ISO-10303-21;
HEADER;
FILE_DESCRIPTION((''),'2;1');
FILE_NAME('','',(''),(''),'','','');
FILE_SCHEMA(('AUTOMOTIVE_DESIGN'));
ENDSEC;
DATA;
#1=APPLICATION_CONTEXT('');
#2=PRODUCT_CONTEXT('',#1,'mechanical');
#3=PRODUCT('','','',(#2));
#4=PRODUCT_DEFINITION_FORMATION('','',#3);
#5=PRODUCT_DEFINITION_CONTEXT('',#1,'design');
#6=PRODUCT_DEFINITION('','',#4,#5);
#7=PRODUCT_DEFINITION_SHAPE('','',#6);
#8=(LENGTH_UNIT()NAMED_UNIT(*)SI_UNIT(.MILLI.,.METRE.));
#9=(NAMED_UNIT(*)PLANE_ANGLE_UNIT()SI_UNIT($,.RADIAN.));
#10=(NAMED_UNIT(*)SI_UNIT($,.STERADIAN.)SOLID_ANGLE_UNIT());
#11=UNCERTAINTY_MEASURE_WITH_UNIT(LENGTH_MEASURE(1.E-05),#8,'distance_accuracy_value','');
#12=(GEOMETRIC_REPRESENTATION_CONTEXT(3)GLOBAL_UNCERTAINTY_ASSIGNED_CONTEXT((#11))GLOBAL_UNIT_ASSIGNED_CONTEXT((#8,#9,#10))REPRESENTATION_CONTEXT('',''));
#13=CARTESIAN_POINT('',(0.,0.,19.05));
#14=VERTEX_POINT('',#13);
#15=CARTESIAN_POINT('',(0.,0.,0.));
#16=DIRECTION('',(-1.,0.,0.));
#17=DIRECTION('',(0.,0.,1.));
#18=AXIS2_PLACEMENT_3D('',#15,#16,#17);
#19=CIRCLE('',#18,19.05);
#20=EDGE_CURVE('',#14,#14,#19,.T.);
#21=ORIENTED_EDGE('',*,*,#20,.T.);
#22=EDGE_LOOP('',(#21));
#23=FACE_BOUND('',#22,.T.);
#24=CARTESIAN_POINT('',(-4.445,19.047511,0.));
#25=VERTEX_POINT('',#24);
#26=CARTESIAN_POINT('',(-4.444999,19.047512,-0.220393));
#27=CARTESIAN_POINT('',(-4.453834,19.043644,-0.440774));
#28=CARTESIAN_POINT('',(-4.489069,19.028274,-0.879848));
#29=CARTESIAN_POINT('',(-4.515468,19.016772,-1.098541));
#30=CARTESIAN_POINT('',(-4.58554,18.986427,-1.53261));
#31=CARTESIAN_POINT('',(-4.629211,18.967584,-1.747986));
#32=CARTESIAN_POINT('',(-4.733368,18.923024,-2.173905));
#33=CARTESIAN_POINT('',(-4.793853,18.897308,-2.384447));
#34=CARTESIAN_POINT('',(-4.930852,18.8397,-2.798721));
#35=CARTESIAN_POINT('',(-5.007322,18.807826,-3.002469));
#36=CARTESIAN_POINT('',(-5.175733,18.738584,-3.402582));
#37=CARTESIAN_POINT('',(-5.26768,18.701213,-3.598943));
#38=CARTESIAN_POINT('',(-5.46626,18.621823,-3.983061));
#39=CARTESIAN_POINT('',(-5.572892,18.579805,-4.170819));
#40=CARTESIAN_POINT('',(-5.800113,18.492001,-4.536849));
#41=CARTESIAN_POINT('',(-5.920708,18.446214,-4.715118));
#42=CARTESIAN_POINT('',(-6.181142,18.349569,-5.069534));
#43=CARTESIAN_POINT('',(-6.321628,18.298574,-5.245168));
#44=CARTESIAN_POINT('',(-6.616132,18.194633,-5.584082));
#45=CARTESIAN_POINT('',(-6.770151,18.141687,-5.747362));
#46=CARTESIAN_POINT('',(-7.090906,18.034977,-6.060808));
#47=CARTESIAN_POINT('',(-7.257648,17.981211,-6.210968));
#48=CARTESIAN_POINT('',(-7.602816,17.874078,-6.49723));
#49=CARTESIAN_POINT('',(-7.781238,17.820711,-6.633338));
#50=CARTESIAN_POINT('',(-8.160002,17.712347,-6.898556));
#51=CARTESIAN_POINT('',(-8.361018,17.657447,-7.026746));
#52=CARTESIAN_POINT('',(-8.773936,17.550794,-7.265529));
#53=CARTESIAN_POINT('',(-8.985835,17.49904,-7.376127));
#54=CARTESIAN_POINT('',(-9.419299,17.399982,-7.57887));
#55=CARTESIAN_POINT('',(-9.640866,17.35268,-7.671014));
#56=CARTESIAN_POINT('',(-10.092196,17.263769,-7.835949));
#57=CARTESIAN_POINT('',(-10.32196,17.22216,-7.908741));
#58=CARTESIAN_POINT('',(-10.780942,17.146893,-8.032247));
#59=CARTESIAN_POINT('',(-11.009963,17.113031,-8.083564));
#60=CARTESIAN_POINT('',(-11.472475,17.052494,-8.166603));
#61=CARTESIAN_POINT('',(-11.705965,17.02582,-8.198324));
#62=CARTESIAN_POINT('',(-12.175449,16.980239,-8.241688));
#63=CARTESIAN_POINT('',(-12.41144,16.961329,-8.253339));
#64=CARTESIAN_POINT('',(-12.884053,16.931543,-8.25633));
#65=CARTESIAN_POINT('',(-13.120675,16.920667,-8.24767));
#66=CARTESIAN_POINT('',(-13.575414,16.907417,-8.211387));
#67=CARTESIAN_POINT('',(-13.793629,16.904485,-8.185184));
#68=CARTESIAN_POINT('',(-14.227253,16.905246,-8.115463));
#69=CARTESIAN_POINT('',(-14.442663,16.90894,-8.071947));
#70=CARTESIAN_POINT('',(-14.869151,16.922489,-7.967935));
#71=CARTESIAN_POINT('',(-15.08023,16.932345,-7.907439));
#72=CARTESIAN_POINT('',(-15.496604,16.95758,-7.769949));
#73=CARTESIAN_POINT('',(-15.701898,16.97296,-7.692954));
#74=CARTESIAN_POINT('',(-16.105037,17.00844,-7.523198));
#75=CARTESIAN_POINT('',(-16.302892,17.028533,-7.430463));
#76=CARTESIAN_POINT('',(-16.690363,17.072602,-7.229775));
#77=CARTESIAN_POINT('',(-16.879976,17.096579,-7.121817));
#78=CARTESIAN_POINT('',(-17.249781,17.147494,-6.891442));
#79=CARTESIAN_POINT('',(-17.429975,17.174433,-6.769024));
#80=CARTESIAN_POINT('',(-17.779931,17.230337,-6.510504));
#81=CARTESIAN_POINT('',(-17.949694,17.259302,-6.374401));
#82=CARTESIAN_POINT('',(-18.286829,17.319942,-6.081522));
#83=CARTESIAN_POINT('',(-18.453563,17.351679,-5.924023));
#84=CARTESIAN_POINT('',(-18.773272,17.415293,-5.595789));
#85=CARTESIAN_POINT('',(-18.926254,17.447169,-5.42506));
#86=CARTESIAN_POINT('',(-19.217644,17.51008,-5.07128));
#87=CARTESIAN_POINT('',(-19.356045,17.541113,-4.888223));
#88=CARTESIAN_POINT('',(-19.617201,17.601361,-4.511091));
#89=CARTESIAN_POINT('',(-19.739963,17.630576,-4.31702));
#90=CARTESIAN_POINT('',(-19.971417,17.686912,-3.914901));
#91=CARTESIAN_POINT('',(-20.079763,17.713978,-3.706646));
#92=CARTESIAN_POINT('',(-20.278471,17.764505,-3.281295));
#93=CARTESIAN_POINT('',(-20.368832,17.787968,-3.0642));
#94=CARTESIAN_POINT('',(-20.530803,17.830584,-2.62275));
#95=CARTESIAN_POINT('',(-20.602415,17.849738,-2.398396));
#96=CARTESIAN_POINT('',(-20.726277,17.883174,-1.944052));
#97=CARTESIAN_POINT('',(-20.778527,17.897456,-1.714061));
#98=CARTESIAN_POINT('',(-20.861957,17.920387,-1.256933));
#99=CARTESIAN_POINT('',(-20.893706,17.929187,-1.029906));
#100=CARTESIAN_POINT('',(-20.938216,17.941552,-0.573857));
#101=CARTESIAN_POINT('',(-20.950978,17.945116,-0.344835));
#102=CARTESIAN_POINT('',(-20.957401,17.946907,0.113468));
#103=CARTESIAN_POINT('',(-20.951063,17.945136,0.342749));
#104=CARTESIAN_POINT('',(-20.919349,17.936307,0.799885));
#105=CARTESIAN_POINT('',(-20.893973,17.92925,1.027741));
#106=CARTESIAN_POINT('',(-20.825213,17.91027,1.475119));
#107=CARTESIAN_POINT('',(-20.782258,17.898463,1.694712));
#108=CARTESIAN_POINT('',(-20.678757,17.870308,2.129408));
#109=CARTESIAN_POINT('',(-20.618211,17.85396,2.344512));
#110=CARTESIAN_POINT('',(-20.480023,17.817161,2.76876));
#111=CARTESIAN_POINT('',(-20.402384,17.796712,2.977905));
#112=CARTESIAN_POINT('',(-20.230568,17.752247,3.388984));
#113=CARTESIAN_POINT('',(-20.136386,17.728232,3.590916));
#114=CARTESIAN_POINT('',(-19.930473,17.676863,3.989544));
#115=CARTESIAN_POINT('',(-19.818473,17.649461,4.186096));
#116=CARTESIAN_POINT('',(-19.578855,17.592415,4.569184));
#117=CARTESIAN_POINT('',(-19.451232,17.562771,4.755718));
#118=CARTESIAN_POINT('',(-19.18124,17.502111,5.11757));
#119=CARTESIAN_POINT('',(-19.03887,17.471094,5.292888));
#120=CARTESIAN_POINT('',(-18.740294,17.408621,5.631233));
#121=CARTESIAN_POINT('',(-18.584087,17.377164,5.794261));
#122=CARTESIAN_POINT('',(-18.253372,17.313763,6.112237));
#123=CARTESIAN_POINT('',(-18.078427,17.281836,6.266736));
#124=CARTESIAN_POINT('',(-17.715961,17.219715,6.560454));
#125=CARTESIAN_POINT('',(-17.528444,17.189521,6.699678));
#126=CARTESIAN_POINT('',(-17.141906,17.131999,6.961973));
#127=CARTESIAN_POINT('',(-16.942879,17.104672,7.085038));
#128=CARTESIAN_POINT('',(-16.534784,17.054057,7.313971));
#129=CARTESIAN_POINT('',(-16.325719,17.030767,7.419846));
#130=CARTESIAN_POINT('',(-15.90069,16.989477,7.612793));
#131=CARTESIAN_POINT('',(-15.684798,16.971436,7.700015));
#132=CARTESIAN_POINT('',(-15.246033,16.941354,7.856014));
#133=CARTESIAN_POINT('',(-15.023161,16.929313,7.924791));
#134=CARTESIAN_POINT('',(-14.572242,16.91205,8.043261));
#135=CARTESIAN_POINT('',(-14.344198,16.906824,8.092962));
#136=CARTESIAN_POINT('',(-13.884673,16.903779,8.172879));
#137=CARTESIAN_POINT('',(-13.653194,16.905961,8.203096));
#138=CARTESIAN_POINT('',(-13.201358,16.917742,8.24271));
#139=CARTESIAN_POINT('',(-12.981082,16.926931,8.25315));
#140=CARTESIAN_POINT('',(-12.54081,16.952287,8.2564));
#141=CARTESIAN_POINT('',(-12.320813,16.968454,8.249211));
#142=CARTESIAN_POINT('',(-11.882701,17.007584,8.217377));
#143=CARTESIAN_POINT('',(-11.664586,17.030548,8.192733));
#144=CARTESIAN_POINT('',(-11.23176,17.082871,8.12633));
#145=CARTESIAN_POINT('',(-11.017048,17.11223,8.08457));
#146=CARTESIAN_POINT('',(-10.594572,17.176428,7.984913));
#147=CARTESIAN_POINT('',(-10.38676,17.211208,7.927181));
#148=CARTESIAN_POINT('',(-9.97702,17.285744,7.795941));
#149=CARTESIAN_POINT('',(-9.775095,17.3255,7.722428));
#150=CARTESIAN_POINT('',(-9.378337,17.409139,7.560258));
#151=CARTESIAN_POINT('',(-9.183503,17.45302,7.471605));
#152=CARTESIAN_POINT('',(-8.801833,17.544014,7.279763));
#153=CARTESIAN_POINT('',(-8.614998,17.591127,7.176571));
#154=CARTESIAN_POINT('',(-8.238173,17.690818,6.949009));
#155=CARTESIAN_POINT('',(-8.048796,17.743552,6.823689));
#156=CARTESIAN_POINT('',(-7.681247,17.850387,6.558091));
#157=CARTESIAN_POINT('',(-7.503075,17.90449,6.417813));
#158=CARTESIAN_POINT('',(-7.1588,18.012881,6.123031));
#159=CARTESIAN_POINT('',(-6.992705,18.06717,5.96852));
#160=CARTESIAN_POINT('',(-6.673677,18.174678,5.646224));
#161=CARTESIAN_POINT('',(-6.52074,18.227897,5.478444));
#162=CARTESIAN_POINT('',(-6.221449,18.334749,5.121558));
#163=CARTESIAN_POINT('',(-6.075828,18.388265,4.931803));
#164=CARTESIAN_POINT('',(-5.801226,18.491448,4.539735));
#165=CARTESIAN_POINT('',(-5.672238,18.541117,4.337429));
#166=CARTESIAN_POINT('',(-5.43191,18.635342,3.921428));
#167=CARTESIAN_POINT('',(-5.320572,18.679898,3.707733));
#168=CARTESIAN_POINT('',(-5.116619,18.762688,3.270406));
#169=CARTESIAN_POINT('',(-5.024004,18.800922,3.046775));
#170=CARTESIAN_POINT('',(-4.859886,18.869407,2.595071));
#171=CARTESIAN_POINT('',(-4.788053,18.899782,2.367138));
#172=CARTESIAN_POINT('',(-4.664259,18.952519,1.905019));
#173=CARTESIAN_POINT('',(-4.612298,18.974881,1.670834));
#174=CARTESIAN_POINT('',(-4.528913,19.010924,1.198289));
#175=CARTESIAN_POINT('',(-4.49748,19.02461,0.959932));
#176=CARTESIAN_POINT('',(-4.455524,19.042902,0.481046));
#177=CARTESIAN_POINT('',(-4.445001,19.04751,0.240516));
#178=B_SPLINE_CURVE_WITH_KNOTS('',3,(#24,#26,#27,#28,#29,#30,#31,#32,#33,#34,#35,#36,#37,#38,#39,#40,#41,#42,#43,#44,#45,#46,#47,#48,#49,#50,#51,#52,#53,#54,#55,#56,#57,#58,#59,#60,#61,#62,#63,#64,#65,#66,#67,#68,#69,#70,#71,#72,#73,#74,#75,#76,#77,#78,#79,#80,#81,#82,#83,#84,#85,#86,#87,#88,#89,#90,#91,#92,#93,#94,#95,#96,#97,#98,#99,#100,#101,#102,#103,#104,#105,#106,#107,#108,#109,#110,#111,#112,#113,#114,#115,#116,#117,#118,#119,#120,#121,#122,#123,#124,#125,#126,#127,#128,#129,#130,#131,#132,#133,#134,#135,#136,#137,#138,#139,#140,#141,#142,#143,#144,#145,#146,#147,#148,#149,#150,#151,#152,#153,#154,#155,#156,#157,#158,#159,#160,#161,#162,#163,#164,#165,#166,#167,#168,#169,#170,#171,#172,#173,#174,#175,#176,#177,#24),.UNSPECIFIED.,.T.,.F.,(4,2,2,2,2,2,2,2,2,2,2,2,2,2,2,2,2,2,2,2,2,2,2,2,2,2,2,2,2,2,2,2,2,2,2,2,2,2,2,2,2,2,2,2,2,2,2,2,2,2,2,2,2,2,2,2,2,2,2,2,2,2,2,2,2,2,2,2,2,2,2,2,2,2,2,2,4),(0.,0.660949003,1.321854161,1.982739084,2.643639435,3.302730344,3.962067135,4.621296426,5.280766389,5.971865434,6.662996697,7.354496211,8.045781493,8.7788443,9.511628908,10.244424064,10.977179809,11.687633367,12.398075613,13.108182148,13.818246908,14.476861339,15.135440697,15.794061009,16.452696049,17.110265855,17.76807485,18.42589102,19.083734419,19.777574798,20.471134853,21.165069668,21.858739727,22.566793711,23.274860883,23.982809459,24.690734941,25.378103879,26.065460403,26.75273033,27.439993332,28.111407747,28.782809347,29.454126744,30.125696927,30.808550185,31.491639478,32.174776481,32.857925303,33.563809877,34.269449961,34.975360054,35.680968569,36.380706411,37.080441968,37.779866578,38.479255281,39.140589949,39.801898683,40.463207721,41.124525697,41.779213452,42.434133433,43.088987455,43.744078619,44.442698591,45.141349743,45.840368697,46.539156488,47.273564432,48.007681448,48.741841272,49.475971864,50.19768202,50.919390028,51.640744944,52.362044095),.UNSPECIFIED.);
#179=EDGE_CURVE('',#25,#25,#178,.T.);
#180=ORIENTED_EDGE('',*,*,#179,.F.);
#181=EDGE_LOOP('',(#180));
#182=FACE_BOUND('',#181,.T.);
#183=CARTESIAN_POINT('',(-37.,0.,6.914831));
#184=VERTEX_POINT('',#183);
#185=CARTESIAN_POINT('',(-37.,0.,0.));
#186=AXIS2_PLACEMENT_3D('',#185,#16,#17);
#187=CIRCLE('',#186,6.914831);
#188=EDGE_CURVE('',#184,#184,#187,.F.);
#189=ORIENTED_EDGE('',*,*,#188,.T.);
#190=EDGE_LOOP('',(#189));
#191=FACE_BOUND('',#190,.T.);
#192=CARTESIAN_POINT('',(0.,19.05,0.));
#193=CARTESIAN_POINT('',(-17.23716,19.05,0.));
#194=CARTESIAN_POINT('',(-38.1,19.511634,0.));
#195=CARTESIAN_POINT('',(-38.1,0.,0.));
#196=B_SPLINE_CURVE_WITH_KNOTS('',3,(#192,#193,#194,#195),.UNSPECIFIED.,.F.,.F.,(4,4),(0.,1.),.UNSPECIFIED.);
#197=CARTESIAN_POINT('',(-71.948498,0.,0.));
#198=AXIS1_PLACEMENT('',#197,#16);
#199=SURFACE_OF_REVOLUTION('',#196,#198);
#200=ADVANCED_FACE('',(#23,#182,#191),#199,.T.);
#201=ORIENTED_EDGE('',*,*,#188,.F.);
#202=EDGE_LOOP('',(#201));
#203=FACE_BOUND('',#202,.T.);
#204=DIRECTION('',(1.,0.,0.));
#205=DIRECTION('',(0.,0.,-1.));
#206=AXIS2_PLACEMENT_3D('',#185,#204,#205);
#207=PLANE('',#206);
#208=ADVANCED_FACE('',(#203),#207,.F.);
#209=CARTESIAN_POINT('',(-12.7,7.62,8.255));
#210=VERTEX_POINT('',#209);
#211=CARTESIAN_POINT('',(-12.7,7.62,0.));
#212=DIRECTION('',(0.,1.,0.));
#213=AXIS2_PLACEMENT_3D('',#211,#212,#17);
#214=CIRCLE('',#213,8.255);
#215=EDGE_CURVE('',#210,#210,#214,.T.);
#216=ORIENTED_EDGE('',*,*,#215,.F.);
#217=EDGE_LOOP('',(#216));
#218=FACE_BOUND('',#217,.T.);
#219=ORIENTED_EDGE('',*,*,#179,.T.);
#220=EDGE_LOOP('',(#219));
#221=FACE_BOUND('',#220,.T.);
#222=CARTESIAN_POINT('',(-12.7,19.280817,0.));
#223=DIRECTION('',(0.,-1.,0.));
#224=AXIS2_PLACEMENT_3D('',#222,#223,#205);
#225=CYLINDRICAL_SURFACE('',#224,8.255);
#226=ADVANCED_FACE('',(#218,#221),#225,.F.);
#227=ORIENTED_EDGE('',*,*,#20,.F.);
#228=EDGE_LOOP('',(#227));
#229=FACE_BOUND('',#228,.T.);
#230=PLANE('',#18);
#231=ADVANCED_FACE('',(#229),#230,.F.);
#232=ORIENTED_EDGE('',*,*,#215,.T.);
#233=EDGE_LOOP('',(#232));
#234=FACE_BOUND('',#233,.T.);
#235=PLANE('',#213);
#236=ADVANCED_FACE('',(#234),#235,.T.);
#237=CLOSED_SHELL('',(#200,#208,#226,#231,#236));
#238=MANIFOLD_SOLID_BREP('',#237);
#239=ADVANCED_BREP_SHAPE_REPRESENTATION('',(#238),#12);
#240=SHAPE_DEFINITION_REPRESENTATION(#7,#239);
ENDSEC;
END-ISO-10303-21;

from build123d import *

# Parameters (mm, degrees)
SKETCH3_R          = 8.255
CUT_EXTRUDE2_DEPTH = 12.430942443
SKETCH4_R          = 12.397062146
CUT_EXTRUDE3_DEPTH = 10


with BuildPart() as part:
    # Sketch1 → Revolve1 (revolve)
    with BuildSketch(Plane.XY):
        with BuildLine():
            Line((-38.1, 0), (0, 0))
            Line((0, 0), (0, 19.05))
            add(Edge.make_bspline(
                [(-38.1, 0), (-38.1, 19.511634231), (-17.237160038, 19.05), (0, 19.05)],
                knots=[0, 0, 0, 0, 1, 1, 1, 1], degree=3))
        make_face()
    revolve(axis=Axis((-71.948497854, 0, 0), (1, 0, 0)))

    # Sketch3 → Cut-Extrude2 (cut, through all)
    with BuildSketch(Plane(origin=(0, 7.62, 0), x_dir=(1, 0, 0), z_dir=(0, 1, 0))):
        with Locations((-12.7, 0)):
            Circle(SKETCH3_R)
    extrude(amount=CUT_EXTRUDE2_DEPTH, mode=Mode.SUBTRACT)

    # Sketch4 → Cut-Extrude3 (cut)
    with BuildSketch(Plane(origin=(-37, 0, 0), x_dir=(0, 0, -1), z_dir=(1, 0, 0))):
        Circle(SKETCH4_R)
    extrude(amount=-CUT_EXTRUDE3_DEPTH, mode=Mode.SUBTRACT)


solid = part.part
